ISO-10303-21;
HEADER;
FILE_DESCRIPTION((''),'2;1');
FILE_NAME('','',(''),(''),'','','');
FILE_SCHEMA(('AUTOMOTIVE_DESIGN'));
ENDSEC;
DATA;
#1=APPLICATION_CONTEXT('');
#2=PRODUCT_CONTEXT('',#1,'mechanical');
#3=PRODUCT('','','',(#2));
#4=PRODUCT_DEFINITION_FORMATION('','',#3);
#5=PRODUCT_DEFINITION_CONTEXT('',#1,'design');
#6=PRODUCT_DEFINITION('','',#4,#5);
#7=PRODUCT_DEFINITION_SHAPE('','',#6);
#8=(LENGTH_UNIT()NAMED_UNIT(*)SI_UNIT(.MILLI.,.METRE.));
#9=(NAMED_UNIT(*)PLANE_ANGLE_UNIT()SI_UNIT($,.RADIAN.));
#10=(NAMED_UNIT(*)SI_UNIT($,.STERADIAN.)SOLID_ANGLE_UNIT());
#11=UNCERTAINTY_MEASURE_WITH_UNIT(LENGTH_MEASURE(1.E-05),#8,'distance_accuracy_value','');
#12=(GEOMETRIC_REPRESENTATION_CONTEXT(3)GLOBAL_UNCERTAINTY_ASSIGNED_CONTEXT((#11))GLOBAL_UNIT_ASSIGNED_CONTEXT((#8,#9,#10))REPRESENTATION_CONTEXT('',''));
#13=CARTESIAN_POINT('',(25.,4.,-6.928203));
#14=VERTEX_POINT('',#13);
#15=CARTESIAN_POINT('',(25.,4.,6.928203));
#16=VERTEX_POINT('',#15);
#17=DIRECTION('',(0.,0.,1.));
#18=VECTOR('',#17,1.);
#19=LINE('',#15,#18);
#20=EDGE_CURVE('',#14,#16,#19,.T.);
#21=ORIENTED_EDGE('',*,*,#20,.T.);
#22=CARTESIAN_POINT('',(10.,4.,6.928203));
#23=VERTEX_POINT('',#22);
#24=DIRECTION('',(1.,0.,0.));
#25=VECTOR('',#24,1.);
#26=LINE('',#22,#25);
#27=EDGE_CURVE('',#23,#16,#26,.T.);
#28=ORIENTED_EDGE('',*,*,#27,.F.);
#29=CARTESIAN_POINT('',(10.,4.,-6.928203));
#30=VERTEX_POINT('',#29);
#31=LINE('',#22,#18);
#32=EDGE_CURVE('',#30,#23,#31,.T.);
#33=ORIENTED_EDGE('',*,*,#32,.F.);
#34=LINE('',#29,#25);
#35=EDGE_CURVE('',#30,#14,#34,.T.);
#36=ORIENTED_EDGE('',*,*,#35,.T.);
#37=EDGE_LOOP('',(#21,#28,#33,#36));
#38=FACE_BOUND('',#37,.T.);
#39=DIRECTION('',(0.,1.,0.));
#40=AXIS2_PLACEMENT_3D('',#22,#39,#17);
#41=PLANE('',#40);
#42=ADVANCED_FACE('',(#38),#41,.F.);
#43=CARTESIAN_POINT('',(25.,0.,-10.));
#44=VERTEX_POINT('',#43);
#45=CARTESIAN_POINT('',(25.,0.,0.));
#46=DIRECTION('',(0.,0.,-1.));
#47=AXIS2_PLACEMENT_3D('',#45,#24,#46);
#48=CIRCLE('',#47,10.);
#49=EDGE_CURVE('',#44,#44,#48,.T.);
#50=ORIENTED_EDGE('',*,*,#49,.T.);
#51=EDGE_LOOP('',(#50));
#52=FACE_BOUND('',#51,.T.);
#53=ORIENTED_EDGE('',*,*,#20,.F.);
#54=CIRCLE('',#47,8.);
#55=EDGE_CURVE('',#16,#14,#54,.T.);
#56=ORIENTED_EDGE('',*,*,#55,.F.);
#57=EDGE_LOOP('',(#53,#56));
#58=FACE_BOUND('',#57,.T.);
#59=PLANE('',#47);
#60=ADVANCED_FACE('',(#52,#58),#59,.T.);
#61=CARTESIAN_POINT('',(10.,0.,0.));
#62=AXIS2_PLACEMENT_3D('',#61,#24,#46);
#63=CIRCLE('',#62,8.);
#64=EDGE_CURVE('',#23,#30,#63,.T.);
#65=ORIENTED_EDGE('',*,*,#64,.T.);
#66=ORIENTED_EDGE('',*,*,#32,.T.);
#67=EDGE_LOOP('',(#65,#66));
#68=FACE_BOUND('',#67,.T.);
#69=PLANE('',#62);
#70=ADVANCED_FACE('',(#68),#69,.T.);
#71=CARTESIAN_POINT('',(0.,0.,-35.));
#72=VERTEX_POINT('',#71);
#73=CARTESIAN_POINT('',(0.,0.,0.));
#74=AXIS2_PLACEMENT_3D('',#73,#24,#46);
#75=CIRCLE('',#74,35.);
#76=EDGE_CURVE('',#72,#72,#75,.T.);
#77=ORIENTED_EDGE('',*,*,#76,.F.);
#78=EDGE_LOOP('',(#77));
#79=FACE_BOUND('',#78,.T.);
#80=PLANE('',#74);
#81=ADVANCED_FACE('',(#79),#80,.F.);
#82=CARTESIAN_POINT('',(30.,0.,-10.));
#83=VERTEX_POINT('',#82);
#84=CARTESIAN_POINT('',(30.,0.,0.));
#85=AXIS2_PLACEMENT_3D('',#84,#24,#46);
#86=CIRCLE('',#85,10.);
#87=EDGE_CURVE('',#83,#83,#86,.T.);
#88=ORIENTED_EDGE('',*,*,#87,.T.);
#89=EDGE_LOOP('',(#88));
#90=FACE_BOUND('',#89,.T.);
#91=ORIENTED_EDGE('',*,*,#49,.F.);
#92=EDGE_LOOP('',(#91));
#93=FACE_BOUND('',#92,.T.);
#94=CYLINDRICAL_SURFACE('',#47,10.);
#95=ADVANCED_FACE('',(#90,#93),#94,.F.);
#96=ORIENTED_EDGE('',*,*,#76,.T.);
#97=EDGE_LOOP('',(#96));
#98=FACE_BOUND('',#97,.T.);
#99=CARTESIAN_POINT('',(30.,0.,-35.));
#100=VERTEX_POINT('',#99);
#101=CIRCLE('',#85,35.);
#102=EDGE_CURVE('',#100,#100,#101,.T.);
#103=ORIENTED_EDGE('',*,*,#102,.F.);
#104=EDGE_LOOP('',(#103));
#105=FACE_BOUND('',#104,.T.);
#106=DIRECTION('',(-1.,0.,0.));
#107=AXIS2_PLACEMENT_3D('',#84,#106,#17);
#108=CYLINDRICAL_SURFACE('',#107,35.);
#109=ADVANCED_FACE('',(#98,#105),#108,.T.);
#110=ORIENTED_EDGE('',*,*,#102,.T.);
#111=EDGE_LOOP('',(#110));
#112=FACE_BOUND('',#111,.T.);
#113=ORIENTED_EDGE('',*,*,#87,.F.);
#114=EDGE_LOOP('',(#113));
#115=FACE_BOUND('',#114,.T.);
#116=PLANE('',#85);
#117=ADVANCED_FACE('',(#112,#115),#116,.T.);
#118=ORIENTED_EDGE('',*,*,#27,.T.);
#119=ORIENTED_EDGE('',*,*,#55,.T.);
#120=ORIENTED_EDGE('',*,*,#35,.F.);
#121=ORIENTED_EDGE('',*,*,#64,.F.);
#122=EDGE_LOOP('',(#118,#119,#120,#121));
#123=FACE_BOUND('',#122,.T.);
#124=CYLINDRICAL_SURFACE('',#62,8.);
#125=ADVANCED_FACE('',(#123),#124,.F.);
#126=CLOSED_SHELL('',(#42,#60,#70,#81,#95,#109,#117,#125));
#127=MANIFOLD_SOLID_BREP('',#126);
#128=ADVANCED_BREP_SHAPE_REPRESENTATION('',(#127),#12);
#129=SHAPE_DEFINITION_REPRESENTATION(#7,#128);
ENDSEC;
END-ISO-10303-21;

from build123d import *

# Parameters (mm, degrees)
SKETCH1_R           = 35
BOSS_EXTRUDE1_DEPTH = 30
SKETCH2_R           = 10
CUT_EXTRUDE1_DEPTH  = 5
CUT_EXTRUDE2_DEPTH  = 15


with BuildPart() as part:
    # Sketch1 → Boss-Extrude1 (new body)
    with BuildSketch(Plane(origin=(0, 0, 0), x_dir=(0, 0, -1), z_dir=(1, 0, 0))):
        Circle(SKETCH1_R)
    extrude(amount=BOSS_EXTRUDE1_DEPTH)

    # Sketch2 → Cut-Extrude1 (cut)
    with BuildSketch(Plane(origin=(30, 0, 0), x_dir=(0, 0, -1), z_dir=(1, 0, 0))):
        Circle(SKETCH2_R)
    extrude(amount=-CUT_EXTRUDE1_DEPTH, mode=Mode.SUBTRACT)

    # Sketch3 → Cut-Extrude2 (cut)
    with BuildSketch(Plane(origin=(25, 0, 0), x_dir=(0, 0, -1), z_dir=(1, 0, 0))):
        with BuildLine():
            Line((-6.92820323, 4), (6.92820323, 4))
            ThreePointArc((6.92820323, 4), (0, -8), (-6.92820323, 4))
        make_face()
    extrude(amount=-CUT_EXTRUDE2_DEPTH, mode=Mode.SUBTRACT)


solid = part.part
